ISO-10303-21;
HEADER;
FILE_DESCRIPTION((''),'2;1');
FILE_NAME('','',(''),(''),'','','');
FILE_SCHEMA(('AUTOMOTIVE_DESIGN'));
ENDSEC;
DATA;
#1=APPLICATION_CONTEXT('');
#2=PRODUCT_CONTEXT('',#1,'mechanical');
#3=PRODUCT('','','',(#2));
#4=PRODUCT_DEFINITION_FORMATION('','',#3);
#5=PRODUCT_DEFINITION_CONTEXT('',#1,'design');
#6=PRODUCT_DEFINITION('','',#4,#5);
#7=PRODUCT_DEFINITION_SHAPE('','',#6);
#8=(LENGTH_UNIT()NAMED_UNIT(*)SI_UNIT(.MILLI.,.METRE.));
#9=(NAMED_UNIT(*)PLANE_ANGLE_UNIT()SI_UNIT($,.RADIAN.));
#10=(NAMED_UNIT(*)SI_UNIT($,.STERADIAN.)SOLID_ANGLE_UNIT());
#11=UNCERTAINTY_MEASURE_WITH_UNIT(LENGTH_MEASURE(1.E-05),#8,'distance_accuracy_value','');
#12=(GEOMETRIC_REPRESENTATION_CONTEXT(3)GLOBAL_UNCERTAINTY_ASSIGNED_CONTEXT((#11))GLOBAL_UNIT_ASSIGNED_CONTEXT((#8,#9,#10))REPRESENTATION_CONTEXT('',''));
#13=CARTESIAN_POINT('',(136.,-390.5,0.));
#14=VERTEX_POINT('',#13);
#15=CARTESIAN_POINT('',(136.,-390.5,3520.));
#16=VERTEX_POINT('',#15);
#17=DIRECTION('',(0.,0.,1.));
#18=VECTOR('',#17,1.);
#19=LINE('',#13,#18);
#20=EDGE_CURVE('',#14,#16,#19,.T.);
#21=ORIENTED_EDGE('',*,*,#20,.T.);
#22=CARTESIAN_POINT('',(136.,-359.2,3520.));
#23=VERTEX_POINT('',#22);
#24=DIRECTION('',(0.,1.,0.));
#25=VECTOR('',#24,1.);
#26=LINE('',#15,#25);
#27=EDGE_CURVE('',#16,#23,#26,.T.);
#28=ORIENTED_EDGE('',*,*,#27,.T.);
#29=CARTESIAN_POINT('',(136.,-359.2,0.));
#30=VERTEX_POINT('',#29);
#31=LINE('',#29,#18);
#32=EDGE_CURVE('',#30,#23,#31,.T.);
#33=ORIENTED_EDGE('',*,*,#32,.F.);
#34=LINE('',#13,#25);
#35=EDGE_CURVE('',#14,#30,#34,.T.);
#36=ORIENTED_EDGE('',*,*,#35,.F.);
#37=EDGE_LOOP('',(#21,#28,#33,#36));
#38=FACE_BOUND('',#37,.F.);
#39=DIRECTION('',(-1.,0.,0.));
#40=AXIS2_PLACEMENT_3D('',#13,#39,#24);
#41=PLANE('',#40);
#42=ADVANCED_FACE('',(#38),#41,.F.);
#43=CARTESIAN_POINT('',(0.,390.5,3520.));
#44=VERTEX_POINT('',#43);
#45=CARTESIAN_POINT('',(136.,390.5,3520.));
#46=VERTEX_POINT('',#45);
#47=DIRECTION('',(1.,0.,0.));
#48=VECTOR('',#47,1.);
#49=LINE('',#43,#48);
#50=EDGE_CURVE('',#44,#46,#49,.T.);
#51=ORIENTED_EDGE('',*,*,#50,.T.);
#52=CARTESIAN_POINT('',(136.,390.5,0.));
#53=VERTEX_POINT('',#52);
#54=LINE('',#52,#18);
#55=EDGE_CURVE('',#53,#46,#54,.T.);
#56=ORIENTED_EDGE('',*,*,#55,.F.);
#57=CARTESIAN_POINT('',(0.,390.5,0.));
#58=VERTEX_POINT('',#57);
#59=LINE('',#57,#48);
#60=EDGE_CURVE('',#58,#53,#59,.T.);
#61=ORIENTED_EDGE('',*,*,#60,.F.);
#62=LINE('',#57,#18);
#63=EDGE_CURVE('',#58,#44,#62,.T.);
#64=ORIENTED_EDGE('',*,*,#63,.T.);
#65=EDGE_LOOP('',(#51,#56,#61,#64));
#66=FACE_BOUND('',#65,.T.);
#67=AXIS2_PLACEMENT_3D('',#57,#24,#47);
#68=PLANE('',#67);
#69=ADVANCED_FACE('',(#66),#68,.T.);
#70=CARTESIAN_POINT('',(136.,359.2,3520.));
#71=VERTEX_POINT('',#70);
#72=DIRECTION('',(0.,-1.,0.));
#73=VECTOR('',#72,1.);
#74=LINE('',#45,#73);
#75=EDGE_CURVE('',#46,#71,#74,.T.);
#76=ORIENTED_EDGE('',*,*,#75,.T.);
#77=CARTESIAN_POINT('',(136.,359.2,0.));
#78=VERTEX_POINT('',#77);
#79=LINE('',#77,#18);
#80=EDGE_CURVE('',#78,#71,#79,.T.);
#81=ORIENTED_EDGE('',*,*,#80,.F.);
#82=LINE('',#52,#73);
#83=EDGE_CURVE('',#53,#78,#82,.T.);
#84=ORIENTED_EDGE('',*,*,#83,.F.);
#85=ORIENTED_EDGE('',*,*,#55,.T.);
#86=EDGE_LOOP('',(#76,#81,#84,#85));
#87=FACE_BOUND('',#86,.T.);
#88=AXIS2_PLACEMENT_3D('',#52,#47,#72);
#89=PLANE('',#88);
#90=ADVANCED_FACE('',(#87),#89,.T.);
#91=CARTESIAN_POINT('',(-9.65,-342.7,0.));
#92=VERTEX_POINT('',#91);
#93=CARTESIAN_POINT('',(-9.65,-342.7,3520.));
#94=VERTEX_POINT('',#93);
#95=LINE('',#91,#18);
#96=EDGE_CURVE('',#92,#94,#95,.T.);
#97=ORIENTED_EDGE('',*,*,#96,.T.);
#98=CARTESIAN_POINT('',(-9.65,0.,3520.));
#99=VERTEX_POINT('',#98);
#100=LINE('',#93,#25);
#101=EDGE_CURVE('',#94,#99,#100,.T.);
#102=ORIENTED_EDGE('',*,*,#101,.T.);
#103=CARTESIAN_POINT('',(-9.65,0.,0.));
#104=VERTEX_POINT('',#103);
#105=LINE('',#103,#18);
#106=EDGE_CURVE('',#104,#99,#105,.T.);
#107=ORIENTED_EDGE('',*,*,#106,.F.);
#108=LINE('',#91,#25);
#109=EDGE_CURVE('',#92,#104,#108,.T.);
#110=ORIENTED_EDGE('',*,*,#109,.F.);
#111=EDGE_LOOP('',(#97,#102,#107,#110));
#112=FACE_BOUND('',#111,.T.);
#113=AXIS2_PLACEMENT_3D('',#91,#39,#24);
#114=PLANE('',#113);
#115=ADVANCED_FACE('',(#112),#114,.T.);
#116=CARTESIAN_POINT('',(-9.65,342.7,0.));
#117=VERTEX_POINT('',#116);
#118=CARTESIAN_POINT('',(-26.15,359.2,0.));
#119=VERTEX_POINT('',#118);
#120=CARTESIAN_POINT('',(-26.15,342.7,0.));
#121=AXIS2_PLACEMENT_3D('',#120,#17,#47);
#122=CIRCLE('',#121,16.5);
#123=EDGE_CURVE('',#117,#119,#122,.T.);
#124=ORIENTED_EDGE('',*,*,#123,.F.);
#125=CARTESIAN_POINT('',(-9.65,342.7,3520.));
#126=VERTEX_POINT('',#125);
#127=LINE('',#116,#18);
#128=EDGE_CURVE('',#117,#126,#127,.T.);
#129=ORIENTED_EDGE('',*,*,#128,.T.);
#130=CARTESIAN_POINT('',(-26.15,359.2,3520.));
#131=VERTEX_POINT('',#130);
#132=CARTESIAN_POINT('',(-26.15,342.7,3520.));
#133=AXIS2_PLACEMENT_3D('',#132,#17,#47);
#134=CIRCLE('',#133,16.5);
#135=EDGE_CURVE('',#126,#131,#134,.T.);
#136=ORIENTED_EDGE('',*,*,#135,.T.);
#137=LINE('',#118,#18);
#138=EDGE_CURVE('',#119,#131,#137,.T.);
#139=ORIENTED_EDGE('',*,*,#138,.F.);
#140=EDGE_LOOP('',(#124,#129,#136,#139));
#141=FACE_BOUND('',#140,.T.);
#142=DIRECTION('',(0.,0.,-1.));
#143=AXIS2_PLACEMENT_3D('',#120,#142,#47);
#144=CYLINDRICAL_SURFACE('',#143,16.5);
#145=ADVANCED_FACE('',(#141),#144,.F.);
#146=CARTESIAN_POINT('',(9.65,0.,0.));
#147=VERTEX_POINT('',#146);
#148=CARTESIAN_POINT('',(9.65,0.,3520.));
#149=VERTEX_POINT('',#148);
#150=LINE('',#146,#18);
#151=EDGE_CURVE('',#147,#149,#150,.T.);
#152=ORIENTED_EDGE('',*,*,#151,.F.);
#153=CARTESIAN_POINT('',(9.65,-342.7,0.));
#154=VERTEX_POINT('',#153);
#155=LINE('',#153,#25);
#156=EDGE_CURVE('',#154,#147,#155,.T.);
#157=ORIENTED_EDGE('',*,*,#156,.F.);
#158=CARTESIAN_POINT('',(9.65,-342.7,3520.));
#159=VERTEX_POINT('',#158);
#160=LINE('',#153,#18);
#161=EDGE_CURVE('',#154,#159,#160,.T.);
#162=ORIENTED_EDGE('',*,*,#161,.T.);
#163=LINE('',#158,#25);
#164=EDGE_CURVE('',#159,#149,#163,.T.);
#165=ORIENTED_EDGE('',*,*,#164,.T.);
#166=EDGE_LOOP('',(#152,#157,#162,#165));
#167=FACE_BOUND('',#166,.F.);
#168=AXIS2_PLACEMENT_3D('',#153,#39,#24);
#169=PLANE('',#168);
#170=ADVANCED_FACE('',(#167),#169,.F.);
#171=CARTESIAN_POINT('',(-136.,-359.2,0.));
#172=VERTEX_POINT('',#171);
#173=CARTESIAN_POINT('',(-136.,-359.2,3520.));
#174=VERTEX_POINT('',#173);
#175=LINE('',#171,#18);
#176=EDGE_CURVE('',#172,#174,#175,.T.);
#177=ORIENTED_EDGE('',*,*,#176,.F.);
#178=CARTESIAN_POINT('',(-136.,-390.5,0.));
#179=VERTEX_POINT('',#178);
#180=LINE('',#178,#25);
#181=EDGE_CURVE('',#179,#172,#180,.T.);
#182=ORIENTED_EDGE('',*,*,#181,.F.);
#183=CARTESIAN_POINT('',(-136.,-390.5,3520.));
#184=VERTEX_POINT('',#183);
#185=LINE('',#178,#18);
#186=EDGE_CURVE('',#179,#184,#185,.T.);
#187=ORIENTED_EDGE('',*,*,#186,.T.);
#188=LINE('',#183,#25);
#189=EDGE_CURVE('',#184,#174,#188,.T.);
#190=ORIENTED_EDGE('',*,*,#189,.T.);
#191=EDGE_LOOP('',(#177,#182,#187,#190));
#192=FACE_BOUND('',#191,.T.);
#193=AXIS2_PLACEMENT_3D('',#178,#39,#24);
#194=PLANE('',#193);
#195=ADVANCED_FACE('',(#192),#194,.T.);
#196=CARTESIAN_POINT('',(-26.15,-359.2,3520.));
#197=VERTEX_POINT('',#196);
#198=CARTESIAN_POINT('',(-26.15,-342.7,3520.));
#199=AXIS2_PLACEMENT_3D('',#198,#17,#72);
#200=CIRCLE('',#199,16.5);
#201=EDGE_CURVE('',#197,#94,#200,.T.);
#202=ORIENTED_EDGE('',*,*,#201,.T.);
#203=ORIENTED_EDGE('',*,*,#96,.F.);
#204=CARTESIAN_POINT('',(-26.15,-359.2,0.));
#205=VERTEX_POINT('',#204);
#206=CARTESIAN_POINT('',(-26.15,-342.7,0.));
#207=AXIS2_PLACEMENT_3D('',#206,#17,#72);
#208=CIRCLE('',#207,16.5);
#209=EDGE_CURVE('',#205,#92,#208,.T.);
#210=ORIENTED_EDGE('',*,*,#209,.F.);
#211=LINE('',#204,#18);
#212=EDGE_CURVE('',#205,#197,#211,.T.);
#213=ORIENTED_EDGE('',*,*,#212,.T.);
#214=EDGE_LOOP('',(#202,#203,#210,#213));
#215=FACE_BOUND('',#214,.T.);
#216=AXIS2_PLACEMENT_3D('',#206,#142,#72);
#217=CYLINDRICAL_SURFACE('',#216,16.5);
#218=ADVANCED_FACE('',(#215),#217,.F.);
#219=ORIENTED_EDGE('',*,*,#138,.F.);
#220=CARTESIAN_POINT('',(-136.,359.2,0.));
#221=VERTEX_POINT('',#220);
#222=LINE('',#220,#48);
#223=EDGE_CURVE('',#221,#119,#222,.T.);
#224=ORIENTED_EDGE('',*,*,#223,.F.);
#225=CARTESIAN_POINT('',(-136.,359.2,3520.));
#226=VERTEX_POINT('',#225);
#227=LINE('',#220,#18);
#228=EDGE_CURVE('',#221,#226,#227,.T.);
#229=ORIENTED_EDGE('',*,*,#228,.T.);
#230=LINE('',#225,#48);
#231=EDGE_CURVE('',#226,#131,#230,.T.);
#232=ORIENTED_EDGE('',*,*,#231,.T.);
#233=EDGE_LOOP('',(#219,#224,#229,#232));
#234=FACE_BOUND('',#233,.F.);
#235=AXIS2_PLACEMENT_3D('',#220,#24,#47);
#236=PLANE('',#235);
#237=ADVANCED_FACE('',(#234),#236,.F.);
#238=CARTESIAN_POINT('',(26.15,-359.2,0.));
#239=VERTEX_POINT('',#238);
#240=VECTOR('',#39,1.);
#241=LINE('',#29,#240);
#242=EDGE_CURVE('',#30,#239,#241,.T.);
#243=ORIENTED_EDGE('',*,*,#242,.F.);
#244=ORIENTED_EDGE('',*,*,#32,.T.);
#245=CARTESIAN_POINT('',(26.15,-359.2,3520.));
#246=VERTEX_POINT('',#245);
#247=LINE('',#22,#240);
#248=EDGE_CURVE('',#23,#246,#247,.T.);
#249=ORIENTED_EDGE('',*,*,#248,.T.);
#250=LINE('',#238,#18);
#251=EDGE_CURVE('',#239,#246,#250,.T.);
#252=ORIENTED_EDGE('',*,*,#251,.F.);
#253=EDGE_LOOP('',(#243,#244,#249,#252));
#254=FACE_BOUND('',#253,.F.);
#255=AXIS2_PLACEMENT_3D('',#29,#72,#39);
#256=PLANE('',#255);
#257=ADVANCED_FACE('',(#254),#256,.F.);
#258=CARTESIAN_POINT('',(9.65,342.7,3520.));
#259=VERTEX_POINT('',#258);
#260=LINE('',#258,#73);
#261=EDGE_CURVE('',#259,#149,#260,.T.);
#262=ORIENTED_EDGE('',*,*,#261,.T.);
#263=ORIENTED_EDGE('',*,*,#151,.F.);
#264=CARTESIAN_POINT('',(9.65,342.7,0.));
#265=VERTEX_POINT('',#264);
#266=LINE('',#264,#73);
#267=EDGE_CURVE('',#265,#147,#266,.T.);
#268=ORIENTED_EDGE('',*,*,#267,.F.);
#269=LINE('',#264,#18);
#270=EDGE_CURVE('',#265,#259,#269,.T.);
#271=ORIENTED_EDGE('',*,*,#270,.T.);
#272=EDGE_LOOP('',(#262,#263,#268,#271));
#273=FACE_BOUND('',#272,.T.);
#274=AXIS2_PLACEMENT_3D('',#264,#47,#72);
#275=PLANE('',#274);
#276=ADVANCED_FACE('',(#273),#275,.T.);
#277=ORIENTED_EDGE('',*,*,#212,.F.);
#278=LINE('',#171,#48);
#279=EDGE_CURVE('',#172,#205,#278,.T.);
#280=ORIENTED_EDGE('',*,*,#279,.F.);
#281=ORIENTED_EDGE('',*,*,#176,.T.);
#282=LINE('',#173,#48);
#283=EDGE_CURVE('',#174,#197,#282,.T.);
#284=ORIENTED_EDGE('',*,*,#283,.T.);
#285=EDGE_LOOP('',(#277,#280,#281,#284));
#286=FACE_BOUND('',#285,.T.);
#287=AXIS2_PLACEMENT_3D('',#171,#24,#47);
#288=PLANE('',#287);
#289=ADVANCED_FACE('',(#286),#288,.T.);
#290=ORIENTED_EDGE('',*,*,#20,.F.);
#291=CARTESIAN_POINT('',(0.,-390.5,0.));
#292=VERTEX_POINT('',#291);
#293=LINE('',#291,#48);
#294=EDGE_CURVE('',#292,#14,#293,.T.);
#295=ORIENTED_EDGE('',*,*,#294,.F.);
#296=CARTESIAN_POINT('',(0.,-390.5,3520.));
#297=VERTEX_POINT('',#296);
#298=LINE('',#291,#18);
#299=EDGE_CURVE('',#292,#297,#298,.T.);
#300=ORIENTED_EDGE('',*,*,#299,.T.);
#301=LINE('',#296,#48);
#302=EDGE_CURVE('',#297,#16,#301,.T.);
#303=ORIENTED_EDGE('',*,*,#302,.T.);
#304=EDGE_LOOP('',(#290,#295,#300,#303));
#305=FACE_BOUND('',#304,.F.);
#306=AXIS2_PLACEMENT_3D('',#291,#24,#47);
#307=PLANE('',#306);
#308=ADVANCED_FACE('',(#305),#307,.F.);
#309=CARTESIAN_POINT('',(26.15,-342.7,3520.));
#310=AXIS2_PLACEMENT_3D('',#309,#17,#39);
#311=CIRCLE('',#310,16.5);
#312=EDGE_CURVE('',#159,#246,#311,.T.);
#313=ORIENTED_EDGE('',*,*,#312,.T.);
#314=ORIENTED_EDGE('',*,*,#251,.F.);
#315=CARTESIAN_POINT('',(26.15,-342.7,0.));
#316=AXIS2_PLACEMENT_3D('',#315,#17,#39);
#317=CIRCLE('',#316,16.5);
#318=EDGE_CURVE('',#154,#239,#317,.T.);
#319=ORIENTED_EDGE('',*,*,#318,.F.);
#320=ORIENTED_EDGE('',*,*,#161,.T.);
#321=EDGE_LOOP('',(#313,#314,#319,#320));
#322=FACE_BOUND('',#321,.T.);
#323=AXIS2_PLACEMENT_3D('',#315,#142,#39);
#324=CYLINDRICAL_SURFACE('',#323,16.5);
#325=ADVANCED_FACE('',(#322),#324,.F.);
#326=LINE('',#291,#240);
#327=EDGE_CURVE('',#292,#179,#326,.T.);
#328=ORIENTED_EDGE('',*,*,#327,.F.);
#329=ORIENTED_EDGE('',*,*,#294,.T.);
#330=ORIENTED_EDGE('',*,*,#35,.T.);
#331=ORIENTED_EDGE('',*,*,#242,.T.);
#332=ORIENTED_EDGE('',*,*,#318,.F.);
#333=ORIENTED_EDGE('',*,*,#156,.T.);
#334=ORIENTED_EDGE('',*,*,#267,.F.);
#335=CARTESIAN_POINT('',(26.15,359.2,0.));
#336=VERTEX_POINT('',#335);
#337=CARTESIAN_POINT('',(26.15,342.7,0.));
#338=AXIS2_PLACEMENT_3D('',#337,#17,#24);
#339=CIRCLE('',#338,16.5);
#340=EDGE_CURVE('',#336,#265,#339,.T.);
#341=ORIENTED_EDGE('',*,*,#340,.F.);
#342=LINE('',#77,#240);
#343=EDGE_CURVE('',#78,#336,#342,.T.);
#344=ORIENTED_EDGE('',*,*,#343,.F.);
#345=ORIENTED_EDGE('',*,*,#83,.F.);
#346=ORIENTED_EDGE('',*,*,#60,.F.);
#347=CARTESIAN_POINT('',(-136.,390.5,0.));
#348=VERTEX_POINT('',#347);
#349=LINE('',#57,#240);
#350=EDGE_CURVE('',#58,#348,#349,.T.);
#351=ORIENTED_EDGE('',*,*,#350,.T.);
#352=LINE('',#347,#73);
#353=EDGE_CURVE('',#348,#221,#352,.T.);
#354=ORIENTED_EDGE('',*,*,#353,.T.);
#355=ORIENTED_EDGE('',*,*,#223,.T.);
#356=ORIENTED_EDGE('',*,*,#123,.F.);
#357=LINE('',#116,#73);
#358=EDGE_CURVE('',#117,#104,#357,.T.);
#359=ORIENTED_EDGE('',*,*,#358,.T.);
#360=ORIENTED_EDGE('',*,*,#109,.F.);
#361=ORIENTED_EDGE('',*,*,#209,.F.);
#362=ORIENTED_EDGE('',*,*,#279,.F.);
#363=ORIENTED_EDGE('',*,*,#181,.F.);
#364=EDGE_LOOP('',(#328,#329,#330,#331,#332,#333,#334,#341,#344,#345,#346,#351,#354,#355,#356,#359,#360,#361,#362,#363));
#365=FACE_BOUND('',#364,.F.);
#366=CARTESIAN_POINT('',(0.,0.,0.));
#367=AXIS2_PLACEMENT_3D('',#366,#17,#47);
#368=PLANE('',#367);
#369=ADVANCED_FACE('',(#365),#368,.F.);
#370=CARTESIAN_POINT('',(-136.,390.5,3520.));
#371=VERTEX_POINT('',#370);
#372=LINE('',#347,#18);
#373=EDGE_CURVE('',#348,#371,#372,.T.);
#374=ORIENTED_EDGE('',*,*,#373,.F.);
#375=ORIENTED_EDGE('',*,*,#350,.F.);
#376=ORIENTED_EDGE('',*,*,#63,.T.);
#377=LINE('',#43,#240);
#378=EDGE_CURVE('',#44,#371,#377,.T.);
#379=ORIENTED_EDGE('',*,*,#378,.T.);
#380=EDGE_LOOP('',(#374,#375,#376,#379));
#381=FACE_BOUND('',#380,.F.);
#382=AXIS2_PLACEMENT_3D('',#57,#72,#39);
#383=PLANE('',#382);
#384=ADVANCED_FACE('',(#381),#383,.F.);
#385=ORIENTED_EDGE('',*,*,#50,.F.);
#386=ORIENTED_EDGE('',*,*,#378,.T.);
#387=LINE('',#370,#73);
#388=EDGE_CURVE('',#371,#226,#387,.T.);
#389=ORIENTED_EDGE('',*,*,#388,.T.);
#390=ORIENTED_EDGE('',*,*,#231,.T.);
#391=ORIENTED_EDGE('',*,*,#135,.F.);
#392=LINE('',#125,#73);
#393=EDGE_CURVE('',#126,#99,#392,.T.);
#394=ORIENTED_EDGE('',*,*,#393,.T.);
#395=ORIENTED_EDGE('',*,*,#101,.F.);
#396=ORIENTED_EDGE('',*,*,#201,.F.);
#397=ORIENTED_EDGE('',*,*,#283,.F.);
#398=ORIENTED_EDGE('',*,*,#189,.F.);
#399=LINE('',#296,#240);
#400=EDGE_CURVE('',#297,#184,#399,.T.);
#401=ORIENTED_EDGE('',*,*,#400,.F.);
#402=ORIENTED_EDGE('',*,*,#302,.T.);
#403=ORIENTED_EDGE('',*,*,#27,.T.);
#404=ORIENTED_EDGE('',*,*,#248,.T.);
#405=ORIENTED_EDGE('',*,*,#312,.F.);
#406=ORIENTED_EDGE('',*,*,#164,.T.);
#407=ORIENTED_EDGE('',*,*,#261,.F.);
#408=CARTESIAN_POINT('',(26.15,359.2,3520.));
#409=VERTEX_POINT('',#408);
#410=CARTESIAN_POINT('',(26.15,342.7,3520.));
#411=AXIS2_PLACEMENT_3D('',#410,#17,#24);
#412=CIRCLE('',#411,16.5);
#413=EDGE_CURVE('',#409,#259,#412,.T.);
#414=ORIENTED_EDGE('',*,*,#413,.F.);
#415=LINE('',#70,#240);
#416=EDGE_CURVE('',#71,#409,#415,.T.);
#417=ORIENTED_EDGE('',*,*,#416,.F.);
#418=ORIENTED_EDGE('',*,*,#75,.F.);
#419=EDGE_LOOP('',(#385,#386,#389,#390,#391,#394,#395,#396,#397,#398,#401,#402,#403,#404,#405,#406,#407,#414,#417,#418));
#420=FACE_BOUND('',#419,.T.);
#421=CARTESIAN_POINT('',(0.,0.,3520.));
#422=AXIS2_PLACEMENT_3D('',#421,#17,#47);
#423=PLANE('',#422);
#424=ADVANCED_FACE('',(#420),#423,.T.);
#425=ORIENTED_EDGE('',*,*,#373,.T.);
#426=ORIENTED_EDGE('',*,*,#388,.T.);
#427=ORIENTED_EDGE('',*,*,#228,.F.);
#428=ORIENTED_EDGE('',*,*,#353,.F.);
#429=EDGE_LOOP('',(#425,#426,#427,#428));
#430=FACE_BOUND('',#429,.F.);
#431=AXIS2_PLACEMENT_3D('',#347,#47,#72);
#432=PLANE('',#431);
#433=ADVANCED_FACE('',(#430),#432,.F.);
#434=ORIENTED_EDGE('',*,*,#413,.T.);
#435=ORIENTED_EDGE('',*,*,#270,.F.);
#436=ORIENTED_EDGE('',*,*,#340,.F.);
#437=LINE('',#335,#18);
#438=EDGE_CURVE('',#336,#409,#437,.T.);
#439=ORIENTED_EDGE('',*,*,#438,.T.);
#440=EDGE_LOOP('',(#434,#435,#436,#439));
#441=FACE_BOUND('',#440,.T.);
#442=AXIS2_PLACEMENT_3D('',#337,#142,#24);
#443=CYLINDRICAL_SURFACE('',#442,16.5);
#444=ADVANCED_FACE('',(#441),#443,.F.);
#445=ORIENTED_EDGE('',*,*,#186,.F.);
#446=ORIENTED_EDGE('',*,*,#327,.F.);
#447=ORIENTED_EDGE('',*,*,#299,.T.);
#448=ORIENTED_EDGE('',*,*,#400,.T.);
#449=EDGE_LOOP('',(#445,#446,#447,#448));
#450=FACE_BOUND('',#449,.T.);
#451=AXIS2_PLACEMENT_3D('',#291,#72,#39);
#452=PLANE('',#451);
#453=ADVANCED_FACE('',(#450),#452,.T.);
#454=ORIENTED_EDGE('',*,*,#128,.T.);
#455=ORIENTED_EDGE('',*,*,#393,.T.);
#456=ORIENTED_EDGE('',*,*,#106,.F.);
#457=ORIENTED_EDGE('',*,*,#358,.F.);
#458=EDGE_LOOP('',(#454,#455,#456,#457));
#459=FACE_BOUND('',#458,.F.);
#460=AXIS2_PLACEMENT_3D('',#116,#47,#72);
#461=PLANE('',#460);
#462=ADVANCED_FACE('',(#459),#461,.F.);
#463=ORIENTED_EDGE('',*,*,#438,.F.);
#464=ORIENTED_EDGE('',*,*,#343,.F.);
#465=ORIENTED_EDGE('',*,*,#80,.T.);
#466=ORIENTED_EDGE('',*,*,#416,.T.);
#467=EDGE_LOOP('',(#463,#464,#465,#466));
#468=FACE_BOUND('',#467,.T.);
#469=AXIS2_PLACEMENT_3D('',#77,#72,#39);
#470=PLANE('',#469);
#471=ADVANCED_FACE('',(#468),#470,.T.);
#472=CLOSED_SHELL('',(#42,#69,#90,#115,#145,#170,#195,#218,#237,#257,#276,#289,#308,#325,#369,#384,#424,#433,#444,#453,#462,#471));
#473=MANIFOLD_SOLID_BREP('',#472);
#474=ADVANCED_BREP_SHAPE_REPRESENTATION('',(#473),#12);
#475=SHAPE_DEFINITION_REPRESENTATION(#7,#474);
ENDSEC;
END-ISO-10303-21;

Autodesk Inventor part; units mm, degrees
ref_plane "YZ Plane" through (0, 0, 0) normal (1, 0, 0) x (0, 1, 0)
ref_plane "Start plane" through (0, 0, 0) normal (0, 0, 1) x (1, 0, 0)
ref_plane "End plane" through (0, 0, 3520) normal (0, 0, 1) x (1, 0, 0)
sketch "Sketch" plane through (0, 0, 0) normal (0, 0, 1) x (1, 0, 0)
  line L0 (-136, -390.5) -> (-136, -359.2)
  line L1 (-136, -359.2) -> (-26.15, -359.2)
  line L2 (-9.65, -342.7) -> (-9.65, 0)
  line L3 (-9.65, 0) -> (0, 0) construction
  line L4 (0, 0) -> (0, -390.5) construction
  line L5 (0, -390.5) -> (-136, -390.5)
  line L6 (-60, 0) -> (80, 0) construction
  line L7 (0, -60) -> (0, 80) construction
  line L8 (136, -390.5) -> (136, -359.2)
  line L9 (136, -359.2) -> (26.15, -359.2)
  line L10 (9.65, -342.7) -> (9.65, 0)
  line L11 (9.65, 0) -> (0, 0) construction
  line L12 (0, -390.5) -> (136, -390.5)
  line L13 (-136, 390.5) -> (-136, 359.2)
  line L14 (-136, 359.2) -> (-26.15, 359.2)
  line L15 (-9.65, 342.7) -> (-9.65, 0)
  line L16 (0, 390.5) -> (-136, 390.5)
  line L17 (136, 390.5) -> (136, 359.2)
  line L18 (136, 359.2) -> (26.15, 359.2)
  line L19 (0, 390.5) -> (136, 390.5)
  line L20 (9.65, 342.7) -> (9.65, 0)
  arc A0 (-9.65, 342.7) -> (-26.15, 359.2) centre (-26.15, 342.7) ccw
  arc A1 (26.15, 359.2) -> (9.65, 342.7) centre (26.15, 342.7) ccw
  arc A2 (9.65, -342.7) -> (26.15, -359.2) centre (26.15, -342.7) ccw
  arc A3 (-26.15, -359.2) -> (-9.65, -342.7) centre (-26.15, -342.7) ccw
  line L21 (0, 108) -> (0, -88) construction
  line L22 (-88, 0) -> (108, 0) construction
  point P0 (-9.65, -359.2)
  point P1 (9.65, -359.2)
  point P2 (-9.65, 359.2)
  point P3 (9.65, 359.2)
  dimension "d1" = 390.5
  dimension "d2" = 31.3
  dimension "d3" = 136
  dimension "d4" = 9.65
  dimension "d10" = 16.5
extrude "Body" add sketch "Sketch" along normal up to surface (3520 mm away) from surface at 0
sketch "Sketch4" plane through (0, 0, 0) normal (0, 0, 1) x (1, 0, 0)
  line L0 (0, 0) -> (10, 0)
ref_plane "Work Plane3" through (0, 0, 0) normal (0, -1, 0) x (1, 0, 0)
sketch "Sketch5" plane through (0, 0, 0) normal (0, -1, 0) x (1, 0, 0)
  line L0 (-2, 0) -> (12, 0) projected
  line L1 (-2, 3520) -> (12, 3520) projected
  dimension "d14" = 3520
equation "\"d1\" = 0.5 * G_H"
equation "\"d2\" = G_T1"
equation "\"d3\" = 0.5 * G_W"
equation "\"d4\" = 0.5 * G_T"
equation "\"d10\" = G_IR"
equation "\"d5\" = G_L"
equation "\"G_W\" = 272"
equation "\"G_H\" = 781"
equation "\"G_T\" = 19.3"
equation "\"G_T1\" = 31.3"
equation "\"G_IR\" = 16.5"
equation "\"G_L\" = d14"
equation "\"G_OFFSET_START\" = 0"
equation "\"G_OFFSET_END\" = 0"
properties part number "AS 3679-1990 - 760 UB - 244 - 3520" material "Steel, Mild"
